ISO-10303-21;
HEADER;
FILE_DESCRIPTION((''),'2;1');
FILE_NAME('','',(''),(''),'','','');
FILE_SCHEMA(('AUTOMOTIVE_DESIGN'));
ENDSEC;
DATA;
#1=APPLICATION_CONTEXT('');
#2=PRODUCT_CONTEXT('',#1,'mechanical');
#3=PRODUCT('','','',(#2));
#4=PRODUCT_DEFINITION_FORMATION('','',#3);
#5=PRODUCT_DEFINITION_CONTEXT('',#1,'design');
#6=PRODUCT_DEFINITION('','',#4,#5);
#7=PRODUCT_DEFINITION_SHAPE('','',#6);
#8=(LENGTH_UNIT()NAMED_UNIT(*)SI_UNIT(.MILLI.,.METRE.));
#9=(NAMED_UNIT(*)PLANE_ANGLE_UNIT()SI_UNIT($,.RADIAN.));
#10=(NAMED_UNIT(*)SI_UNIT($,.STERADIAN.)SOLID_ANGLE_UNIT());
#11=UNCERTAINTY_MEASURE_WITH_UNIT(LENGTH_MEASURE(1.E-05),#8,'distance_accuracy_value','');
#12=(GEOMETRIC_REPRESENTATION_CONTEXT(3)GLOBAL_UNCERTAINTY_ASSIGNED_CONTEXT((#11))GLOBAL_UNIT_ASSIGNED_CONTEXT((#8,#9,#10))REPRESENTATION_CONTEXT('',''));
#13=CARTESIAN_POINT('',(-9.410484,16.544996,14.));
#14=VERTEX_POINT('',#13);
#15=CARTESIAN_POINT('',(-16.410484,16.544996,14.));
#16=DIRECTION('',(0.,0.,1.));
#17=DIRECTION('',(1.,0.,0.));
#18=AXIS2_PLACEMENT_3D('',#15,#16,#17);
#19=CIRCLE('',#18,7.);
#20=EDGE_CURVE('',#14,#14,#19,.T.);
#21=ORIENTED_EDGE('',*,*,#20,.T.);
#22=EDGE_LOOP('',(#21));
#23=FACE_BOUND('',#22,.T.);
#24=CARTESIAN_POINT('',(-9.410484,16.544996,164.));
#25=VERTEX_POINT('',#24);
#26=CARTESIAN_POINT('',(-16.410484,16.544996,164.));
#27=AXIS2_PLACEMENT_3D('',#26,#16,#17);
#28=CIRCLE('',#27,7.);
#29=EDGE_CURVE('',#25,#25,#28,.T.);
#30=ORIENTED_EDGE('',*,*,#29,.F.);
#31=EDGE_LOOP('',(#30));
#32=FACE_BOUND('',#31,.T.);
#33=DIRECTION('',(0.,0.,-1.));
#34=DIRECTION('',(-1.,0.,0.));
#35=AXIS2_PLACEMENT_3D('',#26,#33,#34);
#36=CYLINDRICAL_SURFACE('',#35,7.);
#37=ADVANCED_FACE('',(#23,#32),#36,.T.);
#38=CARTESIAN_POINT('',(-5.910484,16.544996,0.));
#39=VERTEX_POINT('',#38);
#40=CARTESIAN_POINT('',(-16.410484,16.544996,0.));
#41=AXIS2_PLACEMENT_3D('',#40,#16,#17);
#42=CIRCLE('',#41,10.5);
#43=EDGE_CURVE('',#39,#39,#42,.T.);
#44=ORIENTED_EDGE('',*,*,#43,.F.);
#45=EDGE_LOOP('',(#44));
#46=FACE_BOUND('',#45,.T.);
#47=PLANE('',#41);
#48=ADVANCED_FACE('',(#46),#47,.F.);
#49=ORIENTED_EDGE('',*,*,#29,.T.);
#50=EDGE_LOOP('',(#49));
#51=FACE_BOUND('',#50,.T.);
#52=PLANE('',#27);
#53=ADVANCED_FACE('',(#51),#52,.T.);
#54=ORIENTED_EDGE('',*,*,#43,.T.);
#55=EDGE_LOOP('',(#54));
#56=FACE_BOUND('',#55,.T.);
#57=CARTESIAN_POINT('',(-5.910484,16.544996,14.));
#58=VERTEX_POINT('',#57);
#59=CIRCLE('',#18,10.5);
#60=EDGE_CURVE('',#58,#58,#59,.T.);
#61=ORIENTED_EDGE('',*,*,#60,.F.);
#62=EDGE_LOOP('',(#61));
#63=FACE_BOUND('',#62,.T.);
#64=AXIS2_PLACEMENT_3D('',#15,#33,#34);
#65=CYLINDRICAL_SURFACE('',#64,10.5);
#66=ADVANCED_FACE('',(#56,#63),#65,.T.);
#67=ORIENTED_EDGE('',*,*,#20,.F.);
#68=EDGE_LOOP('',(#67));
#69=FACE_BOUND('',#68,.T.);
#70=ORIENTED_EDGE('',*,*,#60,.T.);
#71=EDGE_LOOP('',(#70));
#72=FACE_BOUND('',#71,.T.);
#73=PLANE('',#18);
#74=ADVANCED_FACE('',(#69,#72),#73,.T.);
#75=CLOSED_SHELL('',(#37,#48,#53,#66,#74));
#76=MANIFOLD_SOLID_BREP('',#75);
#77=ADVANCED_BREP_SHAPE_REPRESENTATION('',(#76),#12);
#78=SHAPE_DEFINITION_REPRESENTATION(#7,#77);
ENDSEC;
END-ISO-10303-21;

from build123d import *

# Parameters (mm, degrees)
SKETCH_1_R      = 10.5
EXTRUDE_1_DEPTH = 14
SKETCH_2_R      = 7
EXTRUDE_2_DEPTH = 150


with BuildPart() as part:
    # 草图1 → 凸台-拉伸1 (new body)
    with BuildSketch(Plane.XY):
        with Locations((-16.410483799, 16.544995961)):
            Circle(SKETCH_1_R)
    extrude(amount=EXTRUDE_1_DEPTH)

    # 草图2 → 凸台-拉伸2 (add)
    with BuildSketch(Plane.XY.offset(14)):
        with Locations((-16.410483799, 16.544995961)):
            Circle(SKETCH_2_R)
    extrude(amount=EXTRUDE_2_DEPTH)


solid = part.part
